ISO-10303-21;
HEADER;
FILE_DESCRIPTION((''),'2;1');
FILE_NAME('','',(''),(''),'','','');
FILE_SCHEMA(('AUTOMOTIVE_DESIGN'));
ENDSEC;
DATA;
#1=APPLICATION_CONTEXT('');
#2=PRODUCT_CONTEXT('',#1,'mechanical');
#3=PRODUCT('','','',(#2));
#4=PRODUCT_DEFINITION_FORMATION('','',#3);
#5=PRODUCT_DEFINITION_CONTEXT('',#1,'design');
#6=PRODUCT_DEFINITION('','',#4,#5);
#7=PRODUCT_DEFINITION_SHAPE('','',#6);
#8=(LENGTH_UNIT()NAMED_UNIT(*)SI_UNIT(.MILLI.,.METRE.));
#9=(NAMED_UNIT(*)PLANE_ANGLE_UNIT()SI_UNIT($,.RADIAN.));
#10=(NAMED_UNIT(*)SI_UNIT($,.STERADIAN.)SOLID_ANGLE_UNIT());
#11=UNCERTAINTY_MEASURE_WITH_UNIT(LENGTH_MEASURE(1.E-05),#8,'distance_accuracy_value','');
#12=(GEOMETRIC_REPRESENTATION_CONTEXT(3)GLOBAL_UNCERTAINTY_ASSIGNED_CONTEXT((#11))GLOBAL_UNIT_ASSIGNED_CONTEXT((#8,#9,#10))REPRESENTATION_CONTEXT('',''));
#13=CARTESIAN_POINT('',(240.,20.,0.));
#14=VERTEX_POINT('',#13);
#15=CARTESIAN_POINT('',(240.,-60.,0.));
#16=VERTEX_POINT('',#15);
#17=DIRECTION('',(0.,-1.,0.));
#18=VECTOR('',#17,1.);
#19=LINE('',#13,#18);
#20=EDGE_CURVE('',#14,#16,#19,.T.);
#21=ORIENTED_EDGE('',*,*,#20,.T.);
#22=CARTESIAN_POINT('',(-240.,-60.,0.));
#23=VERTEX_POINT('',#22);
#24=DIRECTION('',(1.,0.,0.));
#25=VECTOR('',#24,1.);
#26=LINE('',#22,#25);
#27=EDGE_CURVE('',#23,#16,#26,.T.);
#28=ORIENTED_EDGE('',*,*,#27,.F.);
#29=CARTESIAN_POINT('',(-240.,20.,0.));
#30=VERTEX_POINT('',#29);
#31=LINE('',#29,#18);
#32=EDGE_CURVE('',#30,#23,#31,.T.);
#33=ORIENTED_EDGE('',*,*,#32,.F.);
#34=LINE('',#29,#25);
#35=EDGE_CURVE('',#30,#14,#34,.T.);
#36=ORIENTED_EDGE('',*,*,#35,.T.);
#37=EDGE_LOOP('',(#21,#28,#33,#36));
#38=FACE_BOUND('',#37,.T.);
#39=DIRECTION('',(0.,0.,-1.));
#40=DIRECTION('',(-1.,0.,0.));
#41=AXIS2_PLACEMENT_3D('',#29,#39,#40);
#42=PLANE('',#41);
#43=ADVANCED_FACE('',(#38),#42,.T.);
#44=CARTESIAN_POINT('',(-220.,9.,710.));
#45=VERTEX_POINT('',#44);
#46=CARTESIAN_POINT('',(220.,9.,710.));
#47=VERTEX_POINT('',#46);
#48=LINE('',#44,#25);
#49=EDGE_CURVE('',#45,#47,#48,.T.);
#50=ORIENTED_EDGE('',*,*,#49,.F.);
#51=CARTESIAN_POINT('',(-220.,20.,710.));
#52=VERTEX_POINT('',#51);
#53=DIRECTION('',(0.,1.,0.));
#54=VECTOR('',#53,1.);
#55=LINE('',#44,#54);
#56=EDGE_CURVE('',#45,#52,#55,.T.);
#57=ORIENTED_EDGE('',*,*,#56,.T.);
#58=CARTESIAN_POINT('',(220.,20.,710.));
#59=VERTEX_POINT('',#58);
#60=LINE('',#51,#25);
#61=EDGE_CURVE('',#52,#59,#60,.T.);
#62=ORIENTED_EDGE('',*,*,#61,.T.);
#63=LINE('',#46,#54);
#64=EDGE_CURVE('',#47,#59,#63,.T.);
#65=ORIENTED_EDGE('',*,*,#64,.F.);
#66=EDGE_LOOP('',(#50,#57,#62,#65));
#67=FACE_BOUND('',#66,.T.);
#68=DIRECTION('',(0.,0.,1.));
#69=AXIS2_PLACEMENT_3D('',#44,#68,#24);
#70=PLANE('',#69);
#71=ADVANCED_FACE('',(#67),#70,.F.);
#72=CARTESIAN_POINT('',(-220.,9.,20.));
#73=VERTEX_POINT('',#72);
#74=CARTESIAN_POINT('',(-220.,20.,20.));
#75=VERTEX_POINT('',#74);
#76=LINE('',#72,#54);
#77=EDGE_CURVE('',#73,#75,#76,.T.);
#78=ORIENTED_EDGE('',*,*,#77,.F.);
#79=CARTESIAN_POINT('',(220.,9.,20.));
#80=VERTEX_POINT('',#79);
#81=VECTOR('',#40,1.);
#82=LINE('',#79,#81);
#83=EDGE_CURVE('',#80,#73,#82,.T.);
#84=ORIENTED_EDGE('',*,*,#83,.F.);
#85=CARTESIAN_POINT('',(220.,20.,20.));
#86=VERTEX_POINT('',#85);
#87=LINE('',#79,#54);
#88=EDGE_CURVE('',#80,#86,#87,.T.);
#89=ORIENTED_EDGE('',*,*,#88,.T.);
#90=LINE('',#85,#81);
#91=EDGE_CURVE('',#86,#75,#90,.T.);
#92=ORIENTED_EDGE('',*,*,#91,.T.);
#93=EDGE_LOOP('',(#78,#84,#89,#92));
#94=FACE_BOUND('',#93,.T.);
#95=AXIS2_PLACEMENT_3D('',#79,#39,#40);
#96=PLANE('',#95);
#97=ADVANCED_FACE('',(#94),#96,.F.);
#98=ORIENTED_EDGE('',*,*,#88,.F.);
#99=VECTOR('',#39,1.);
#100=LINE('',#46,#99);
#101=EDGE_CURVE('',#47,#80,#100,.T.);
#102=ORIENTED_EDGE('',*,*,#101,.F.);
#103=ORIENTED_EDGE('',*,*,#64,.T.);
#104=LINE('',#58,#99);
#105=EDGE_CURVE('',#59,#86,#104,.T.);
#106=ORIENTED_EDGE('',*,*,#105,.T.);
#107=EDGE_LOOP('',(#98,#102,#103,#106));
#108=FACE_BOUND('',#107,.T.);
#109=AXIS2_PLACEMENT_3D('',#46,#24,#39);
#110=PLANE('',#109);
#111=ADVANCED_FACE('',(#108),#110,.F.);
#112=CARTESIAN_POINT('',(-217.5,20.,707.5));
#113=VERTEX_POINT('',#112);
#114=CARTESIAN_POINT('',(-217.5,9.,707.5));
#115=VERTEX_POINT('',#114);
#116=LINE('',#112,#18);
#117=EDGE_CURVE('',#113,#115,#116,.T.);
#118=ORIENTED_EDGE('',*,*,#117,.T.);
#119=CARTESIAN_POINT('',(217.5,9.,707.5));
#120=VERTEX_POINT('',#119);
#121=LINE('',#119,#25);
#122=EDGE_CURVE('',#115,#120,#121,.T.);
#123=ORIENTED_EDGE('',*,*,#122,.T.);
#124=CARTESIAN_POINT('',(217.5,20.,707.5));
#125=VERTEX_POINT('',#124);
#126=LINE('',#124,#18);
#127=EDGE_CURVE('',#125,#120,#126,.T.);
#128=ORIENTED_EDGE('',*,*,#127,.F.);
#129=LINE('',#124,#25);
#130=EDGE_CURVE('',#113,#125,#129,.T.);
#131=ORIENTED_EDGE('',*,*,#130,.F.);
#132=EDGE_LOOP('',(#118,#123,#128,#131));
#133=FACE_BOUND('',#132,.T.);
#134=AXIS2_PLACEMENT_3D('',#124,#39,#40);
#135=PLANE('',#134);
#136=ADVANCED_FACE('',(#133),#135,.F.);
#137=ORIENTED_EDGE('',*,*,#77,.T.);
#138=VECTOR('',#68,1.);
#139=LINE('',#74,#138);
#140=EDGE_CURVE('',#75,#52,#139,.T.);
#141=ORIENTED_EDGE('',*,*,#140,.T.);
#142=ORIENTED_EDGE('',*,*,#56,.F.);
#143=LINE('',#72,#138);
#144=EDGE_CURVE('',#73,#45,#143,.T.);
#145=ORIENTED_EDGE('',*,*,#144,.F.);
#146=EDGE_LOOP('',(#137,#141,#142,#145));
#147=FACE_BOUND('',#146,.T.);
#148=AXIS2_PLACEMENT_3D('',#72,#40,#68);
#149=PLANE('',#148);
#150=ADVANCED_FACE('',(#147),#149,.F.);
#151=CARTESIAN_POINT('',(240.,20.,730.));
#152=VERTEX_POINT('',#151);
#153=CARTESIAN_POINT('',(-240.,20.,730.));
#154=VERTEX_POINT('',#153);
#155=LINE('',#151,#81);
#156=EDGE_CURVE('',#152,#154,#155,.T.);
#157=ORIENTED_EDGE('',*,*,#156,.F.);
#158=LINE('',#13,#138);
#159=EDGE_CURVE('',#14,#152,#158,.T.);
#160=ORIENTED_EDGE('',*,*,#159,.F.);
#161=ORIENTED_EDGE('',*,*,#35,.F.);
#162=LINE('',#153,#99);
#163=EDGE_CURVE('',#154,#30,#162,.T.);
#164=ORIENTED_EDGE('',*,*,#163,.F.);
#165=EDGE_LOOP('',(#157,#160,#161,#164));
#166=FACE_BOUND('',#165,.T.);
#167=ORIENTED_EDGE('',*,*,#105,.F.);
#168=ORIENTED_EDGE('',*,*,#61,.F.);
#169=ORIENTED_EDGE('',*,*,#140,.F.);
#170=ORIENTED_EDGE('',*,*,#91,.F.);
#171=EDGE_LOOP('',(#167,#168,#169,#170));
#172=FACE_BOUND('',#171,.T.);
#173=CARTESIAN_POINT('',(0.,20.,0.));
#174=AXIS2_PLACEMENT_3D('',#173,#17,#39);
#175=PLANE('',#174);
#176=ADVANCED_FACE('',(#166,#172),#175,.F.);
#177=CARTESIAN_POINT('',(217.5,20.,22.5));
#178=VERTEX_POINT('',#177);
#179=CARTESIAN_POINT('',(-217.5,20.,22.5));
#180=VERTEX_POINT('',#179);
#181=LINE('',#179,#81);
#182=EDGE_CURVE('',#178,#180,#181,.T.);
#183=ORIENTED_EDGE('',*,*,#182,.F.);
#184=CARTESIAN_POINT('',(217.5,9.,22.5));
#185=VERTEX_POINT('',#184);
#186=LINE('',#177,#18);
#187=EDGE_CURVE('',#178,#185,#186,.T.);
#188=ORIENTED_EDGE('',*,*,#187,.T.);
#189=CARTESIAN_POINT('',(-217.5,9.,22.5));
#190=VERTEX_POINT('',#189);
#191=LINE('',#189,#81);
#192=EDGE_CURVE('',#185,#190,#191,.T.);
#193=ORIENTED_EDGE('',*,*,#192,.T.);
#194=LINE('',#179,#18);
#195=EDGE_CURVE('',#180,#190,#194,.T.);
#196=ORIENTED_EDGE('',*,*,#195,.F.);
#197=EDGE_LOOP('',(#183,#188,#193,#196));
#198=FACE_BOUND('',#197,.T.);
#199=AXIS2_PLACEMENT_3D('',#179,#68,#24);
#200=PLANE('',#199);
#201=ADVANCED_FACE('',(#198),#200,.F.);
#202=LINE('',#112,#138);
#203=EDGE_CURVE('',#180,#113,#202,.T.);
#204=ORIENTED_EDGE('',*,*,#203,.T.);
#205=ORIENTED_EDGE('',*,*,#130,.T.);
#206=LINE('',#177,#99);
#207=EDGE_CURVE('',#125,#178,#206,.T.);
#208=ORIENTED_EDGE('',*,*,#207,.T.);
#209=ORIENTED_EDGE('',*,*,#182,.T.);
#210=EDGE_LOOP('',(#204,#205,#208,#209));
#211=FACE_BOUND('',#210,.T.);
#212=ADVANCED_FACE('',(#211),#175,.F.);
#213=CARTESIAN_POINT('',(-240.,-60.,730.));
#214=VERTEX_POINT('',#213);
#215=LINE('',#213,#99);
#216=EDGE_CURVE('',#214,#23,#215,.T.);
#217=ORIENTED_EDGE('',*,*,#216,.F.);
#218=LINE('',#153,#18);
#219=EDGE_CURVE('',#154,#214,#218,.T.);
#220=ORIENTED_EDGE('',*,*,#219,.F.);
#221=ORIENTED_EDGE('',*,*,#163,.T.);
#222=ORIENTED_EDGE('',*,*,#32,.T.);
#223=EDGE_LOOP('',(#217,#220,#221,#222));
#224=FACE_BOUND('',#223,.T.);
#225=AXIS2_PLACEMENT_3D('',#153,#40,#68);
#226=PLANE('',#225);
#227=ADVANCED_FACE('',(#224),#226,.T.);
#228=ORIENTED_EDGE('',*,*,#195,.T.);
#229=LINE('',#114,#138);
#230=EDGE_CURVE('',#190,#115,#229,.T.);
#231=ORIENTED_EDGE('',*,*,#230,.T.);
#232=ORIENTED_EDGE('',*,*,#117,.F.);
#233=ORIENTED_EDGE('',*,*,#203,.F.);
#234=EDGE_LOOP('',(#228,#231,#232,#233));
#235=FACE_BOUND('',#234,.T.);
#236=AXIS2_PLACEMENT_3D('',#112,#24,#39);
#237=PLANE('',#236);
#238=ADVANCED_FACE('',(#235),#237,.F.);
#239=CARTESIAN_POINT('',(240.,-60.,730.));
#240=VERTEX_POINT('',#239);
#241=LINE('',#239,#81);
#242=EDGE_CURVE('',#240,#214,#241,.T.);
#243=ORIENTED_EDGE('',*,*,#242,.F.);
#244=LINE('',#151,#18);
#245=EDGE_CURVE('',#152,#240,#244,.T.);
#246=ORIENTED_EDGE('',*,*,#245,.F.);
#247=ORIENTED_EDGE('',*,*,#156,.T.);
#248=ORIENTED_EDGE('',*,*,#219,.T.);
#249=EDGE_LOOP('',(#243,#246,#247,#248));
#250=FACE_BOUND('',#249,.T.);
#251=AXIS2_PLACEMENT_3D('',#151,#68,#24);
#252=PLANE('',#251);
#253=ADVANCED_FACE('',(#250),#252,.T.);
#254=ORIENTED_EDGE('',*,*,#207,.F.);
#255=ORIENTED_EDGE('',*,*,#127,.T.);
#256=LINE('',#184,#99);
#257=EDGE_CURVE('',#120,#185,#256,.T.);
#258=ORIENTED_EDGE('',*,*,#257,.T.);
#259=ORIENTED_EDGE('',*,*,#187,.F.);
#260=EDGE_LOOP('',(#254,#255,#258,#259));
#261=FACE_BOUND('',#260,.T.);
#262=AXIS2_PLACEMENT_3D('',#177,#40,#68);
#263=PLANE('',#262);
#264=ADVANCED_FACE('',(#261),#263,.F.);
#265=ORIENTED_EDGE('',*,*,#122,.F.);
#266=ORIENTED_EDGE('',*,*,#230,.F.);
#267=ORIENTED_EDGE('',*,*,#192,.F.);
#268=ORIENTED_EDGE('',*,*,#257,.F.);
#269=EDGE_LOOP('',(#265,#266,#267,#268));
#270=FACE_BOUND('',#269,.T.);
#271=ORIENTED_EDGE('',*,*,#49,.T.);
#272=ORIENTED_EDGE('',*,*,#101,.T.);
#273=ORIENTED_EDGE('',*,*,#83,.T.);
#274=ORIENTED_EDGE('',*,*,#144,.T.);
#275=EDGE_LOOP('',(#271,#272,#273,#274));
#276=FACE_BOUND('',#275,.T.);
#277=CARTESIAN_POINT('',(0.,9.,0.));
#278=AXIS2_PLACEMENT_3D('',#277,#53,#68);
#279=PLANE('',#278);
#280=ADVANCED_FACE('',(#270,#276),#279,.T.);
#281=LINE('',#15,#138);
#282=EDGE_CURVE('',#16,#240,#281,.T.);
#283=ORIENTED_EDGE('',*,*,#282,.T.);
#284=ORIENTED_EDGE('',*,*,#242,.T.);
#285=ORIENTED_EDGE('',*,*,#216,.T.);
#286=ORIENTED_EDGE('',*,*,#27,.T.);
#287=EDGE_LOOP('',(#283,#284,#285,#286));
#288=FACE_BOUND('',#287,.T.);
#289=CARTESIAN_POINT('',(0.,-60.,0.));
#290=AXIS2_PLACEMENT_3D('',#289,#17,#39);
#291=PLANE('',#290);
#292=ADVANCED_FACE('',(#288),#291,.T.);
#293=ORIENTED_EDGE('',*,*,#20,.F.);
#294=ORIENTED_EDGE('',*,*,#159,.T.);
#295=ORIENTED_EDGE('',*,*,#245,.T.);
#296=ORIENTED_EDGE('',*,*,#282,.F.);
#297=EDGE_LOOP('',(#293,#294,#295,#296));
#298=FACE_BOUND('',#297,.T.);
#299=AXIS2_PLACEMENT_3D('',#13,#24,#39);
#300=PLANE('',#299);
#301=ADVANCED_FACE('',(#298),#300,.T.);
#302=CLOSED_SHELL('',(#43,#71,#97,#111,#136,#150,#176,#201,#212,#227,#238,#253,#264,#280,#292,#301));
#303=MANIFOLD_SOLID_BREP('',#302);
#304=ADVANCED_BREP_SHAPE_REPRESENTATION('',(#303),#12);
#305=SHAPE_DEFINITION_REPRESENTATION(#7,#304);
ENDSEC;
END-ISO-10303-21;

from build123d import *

# Parameters (mm, degrees)
SKETCH1_W           = 480
SKETCH1_H           = 730
BOSS_EXTRUDE1_DEPTH = 80
SKETCH2_W           = 440
SKETCH2_H           = 690
CUT_EXTRUDE1_DEPTH  = 11
SKETCH3_W           = 435
SKETCH3_H           = 685
BOSS_EXTRUDE2_DEPTH = 11


with BuildPart() as part:
    # Sketch1 → Boss-Extrude1 (new body)
    with BuildSketch(Plane.XZ.offset(60)):
        with Locations((0, 365)):
            Rectangle(SKETCH1_W, SKETCH1_H)
    extrude(amount=-BOSS_EXTRUDE1_DEPTH)

    # Sketch2 → Cut-Extrude1 (cut)
    with BuildSketch(Plane(origin=(0, 20, 0), x_dir=(-1, 0, 0), z_dir=(0, 1, 0))):
        with Locations((0, 365)):
            Rectangle(SKETCH2_W, SKETCH2_H)
    extrude(amount=-CUT_EXTRUDE1_DEPTH, mode=Mode.SUBTRACT)

    # Sketch3 → Boss-Extrude2 (add)
    with BuildSketch(Plane(origin=(0, 9, 0), x_dir=(-1, 0, 0), z_dir=(0, 1, 0))):
        with Locations((0, 365)):
            Rectangle(SKETCH3_W, SKETCH3_H)
    extrude(amount=BOSS_EXTRUDE2_DEPTH)


solid = part.part
